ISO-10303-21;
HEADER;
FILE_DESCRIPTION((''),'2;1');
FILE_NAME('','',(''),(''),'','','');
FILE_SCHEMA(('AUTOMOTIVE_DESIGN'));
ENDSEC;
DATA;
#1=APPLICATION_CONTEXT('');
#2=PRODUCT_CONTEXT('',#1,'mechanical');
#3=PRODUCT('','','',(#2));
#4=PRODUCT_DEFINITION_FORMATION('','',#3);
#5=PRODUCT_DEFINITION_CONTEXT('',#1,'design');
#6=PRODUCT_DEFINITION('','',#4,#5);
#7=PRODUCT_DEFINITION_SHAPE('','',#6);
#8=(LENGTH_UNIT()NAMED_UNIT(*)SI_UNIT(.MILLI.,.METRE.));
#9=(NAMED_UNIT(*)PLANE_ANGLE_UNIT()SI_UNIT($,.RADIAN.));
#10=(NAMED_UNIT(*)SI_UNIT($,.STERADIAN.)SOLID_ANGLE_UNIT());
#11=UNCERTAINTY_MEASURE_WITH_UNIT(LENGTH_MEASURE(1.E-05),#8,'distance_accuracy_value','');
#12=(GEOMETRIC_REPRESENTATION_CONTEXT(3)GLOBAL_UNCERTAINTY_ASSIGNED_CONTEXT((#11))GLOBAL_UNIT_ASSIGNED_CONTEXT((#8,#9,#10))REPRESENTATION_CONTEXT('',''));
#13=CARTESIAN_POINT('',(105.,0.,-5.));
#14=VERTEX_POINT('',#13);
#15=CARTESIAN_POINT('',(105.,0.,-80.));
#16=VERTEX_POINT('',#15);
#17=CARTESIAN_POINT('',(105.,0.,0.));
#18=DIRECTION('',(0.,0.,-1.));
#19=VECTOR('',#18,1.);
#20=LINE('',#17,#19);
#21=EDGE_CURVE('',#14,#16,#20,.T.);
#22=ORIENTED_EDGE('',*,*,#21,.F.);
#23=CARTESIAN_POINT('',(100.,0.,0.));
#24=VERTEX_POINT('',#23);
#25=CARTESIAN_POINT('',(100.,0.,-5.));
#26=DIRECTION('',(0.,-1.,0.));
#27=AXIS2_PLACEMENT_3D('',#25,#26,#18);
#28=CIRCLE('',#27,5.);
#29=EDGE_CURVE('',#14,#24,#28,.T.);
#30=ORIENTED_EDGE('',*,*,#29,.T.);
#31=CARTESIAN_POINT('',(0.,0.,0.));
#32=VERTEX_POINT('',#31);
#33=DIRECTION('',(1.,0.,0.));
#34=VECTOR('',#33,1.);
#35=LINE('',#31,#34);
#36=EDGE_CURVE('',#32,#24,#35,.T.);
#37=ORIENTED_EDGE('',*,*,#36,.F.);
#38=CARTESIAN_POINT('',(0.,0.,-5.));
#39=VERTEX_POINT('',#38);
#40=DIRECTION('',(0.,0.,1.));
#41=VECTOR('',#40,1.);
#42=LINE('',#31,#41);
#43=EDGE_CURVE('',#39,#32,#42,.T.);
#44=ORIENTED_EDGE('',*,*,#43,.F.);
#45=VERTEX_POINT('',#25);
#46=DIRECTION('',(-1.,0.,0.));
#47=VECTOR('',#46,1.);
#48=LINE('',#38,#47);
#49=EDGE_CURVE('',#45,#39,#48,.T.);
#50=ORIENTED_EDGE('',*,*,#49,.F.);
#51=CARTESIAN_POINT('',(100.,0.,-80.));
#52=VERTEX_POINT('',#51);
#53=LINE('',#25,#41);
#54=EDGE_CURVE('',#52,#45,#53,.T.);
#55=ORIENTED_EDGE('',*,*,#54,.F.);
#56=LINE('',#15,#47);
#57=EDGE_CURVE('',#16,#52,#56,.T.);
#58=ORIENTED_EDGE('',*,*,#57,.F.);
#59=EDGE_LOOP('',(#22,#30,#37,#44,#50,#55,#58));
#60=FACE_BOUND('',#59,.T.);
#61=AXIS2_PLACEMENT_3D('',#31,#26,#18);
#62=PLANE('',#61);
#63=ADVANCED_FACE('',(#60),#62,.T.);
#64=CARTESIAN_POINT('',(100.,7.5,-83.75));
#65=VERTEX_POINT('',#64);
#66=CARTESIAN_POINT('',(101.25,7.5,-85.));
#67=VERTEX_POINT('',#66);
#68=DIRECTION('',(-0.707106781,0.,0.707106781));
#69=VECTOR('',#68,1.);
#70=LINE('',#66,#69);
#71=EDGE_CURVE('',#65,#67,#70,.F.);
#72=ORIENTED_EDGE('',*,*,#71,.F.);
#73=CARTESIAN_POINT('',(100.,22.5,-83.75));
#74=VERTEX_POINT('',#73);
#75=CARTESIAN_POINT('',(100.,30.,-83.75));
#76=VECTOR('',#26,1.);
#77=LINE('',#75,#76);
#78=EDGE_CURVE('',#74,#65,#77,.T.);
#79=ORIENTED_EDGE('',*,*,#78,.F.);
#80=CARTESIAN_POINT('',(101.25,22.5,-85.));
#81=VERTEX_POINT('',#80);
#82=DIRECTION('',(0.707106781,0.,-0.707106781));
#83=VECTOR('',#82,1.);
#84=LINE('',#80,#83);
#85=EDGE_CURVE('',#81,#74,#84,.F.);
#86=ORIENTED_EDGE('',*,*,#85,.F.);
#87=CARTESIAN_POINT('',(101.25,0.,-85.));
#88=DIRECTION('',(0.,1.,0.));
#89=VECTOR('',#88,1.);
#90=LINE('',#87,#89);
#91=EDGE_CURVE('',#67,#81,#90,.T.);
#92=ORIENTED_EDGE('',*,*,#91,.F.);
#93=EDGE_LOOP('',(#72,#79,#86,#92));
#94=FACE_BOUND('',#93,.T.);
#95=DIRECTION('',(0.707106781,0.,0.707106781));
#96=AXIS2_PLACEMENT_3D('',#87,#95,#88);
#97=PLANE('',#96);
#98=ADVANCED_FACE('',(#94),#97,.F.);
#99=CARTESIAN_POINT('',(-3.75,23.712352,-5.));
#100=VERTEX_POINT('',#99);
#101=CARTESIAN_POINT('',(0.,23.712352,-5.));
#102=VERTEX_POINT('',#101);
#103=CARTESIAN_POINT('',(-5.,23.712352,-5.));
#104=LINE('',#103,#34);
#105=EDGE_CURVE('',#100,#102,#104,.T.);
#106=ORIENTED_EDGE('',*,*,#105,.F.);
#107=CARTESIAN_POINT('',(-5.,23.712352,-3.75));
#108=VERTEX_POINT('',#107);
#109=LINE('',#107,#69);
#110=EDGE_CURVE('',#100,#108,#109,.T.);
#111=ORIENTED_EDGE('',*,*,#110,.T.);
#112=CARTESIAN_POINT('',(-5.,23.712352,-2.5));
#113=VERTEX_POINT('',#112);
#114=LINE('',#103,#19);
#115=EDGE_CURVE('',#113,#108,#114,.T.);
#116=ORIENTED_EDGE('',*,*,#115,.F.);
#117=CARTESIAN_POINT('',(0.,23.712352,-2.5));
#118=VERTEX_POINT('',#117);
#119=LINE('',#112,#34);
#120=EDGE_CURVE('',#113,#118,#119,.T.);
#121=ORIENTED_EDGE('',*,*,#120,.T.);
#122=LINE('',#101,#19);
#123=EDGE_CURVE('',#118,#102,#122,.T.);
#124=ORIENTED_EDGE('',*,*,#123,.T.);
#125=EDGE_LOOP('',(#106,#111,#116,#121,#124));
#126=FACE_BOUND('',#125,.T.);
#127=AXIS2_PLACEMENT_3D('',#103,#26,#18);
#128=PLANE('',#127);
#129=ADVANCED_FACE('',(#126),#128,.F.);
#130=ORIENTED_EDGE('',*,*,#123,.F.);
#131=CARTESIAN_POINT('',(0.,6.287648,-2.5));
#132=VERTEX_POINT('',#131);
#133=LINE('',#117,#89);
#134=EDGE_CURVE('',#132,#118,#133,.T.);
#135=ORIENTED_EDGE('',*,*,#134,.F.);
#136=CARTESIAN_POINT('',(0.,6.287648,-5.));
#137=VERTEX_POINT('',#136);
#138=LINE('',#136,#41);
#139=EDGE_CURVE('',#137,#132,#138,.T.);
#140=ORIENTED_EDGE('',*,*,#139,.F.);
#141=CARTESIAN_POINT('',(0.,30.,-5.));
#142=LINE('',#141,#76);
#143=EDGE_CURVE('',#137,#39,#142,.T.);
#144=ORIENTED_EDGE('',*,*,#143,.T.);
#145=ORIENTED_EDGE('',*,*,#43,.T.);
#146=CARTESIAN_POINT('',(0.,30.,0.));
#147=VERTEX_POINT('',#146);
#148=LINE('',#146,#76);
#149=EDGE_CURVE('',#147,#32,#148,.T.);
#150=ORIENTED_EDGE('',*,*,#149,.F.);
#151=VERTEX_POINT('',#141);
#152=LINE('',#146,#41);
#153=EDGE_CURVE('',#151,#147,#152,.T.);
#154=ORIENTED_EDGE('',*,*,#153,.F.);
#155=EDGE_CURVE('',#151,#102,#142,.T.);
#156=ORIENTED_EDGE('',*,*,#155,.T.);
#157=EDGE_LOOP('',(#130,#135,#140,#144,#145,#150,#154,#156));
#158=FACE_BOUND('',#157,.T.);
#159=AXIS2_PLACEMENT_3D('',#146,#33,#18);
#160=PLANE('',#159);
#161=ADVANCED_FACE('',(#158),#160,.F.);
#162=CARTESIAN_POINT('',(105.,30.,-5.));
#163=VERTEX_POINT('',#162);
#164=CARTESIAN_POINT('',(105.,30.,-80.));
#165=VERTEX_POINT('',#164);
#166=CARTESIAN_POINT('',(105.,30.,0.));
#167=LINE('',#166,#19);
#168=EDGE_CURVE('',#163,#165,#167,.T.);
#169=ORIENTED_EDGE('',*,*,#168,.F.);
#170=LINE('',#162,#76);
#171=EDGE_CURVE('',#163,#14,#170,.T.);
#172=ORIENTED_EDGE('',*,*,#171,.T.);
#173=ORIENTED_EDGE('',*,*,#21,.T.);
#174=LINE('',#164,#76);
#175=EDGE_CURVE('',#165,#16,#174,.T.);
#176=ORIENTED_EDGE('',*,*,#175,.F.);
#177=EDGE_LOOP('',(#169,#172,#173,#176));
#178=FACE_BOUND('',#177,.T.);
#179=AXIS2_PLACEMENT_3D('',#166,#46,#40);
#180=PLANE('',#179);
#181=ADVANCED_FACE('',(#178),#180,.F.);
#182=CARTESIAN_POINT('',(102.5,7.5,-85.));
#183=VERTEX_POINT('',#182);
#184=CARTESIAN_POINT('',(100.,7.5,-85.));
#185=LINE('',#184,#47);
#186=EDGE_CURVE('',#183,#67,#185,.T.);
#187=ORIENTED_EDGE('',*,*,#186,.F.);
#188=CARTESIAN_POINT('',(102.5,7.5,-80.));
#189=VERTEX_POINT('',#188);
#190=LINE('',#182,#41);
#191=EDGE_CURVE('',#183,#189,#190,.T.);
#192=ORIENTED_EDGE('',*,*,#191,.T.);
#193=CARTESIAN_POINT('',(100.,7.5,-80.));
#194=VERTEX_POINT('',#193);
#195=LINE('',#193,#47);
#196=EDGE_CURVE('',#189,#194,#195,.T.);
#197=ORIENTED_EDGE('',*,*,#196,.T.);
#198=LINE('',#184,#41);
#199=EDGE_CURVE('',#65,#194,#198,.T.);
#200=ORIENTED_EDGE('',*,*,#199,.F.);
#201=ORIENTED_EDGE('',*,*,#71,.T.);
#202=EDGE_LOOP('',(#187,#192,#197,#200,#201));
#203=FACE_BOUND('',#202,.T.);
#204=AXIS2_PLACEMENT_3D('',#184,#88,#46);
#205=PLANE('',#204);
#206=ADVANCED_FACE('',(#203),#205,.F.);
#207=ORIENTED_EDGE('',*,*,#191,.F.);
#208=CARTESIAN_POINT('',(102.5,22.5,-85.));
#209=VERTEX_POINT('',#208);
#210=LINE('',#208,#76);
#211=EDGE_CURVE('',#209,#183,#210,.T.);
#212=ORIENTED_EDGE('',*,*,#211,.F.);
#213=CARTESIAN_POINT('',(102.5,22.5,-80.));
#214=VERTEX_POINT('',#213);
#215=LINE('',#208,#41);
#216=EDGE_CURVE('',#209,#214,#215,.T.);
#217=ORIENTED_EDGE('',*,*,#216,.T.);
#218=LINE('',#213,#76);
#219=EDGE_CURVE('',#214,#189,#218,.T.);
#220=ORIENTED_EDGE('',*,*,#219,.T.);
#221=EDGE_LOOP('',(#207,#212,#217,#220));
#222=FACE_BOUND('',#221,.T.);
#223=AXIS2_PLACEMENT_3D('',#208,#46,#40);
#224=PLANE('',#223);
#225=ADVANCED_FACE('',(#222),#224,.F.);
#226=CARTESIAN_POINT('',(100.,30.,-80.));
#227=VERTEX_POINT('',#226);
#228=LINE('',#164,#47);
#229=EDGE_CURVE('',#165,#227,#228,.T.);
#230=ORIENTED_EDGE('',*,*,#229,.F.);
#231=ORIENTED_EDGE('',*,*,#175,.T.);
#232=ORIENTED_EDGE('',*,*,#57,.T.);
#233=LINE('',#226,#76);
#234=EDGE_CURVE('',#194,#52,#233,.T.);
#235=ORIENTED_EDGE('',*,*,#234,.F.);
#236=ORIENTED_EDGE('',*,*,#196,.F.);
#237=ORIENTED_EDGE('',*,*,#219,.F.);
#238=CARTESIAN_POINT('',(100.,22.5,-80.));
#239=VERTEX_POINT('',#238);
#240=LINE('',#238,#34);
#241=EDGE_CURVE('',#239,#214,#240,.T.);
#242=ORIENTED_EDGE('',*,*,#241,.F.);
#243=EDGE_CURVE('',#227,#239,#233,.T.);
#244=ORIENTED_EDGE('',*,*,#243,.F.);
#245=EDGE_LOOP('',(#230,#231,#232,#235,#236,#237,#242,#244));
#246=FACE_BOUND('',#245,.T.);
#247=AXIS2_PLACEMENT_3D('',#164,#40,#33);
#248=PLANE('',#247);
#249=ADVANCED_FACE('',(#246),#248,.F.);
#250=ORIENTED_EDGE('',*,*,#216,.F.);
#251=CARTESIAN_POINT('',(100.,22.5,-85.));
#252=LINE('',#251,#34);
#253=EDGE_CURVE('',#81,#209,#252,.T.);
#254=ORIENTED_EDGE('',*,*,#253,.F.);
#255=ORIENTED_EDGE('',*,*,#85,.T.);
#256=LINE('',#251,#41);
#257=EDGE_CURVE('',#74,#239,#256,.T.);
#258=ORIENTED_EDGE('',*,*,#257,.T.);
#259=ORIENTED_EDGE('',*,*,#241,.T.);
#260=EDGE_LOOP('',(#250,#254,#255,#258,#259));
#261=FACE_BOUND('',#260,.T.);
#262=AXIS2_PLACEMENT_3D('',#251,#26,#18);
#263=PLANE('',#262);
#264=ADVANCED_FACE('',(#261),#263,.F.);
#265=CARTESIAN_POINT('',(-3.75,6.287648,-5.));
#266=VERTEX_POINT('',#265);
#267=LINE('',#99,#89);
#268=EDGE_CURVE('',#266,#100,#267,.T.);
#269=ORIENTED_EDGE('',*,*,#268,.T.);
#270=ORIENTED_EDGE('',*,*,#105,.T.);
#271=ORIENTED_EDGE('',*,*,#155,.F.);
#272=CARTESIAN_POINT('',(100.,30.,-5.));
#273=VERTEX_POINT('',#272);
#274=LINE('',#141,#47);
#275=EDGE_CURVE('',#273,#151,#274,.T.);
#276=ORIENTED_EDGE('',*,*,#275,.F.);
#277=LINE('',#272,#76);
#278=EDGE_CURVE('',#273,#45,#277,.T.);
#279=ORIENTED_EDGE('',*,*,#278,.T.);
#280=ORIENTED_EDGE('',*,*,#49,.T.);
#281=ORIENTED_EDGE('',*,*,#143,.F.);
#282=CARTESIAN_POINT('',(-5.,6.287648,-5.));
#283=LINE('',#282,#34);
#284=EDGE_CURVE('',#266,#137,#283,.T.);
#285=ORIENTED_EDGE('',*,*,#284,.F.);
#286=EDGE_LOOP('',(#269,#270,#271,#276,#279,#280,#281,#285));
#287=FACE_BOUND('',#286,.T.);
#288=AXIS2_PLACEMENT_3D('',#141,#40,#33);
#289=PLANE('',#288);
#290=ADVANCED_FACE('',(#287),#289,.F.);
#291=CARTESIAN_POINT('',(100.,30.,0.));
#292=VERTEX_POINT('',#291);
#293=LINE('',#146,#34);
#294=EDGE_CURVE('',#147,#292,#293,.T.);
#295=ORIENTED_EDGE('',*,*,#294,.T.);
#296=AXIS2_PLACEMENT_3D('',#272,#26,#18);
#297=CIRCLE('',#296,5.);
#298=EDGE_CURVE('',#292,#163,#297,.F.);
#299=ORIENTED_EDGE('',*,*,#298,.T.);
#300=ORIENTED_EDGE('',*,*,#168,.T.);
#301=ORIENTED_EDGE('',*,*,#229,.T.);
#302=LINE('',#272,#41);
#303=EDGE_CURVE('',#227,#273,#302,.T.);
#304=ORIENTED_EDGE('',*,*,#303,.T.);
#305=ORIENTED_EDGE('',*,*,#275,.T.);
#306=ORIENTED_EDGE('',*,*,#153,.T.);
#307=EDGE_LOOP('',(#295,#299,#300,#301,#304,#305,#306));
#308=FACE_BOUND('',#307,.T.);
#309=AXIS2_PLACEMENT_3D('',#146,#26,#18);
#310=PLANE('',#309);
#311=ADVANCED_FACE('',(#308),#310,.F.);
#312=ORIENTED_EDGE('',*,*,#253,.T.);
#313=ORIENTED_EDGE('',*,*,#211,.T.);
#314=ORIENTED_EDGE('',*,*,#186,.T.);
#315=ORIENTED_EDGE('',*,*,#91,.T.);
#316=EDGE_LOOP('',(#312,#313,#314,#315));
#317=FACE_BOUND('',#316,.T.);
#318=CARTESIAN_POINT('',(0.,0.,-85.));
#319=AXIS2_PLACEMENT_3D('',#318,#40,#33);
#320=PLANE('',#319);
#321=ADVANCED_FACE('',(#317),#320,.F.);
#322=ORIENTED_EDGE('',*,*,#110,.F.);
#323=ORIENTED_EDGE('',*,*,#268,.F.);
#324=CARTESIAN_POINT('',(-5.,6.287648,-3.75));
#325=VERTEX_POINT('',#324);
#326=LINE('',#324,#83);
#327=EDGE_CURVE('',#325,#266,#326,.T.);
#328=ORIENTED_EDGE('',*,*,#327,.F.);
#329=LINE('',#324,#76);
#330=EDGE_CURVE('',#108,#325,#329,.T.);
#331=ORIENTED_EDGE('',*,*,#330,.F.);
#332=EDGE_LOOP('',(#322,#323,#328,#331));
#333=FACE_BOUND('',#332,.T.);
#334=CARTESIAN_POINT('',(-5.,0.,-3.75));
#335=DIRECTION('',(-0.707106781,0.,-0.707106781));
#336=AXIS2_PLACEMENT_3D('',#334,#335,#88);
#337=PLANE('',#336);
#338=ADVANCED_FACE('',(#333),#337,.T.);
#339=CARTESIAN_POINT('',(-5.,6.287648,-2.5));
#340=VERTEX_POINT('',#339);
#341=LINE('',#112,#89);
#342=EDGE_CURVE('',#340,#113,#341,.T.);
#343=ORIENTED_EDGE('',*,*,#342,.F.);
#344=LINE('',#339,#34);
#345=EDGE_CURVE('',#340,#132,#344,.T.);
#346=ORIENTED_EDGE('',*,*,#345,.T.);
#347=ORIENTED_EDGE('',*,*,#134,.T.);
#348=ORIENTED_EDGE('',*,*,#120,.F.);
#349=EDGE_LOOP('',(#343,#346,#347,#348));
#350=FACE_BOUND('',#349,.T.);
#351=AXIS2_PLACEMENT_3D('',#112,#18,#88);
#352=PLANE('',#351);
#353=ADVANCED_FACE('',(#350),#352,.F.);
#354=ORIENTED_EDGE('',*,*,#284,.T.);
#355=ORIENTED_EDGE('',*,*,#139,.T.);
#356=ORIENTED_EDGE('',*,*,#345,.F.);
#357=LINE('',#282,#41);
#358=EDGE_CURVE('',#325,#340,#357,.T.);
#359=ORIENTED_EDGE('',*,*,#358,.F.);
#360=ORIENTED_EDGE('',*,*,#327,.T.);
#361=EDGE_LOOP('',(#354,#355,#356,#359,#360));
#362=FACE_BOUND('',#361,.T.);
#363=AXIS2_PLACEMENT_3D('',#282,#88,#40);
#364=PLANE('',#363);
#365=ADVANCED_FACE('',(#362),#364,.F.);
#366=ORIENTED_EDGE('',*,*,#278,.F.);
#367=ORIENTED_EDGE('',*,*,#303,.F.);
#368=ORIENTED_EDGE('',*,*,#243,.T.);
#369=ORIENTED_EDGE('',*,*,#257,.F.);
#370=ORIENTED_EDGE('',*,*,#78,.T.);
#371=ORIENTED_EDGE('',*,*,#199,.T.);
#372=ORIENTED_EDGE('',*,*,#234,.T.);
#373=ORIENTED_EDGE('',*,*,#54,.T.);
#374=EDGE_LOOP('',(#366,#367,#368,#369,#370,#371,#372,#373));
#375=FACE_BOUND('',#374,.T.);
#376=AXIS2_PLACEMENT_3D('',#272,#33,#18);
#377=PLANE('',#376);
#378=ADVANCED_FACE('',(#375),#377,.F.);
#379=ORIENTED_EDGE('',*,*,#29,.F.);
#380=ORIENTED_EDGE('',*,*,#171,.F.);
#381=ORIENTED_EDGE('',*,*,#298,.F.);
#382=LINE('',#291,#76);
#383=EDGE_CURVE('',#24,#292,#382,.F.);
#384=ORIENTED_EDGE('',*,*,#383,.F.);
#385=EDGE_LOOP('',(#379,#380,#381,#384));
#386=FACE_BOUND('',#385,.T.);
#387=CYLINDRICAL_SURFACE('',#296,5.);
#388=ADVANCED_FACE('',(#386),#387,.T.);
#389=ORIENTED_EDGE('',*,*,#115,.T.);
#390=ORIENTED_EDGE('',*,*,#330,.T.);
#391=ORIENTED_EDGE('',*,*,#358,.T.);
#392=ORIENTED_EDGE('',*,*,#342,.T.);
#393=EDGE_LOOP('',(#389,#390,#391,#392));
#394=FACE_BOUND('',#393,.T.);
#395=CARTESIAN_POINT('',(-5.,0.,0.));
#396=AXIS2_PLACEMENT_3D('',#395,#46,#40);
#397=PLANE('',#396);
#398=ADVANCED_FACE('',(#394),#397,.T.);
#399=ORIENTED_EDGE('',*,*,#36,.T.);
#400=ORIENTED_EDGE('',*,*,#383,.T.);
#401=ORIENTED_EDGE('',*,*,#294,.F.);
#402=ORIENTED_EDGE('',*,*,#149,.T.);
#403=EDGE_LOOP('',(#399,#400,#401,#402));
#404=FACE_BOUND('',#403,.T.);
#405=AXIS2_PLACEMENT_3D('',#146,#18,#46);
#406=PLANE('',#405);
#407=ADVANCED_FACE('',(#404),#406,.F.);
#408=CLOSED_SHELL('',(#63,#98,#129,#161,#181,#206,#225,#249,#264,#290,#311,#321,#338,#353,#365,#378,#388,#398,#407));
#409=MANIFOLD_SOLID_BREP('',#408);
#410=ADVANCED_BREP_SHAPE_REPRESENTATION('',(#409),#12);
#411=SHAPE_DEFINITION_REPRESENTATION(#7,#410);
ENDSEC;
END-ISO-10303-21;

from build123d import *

# Parameters (mm, degrees)
BOSS_EXTRUDE1_DEPTH = 30
SKETCH2_W           = 2.5
SKETCH2_H           = 17.424704808
BOSS_EXTRUDE2_DEPTH = 5
CHAMFER1_SIZE       = 1.25
SKETCH3_W           = 2.5
SKETCH3_H           = 15
BOSS_EXTRUDE3_DEPTH = 5
CHAMFER2_SIZE       = 1.25
FILLET1_R           = 5


with BuildPart() as part:
    # Sketch1 → Boss-Extrude1 (new body)
    with BuildSketch(Plane(origin=(0, 0, 0), x_dir=(1, 0, 0), z_dir=(0, 1, 0))):
        Polygon((0, 0), (105, 0), (105, 80), (100, 80), (100, 5), (0, 5), align=None)
    extrude(amount=BOSS_EXTRUDE1_DEPTH)

    # Sketch2 → Boss-Extrude2 (add)
    with BuildSketch(Plane.ZY):
        with Locations((-3.75, 15)):
            Rectangle(SKETCH2_W, SKETCH2_H)
    extrude(amount=BOSS_EXTRUDE2_DEPTH)

    # Chamfer1
    chamfer1_edges = [part.edges().sort_by_distance(p)[0] for p in [
        (-5, 15, -5),
    ]]
    chamfer(chamfer1_edges, length=CHAMFER1_SIZE)

    # Sketch3 → Boss-Extrude3 (add)
    with BuildSketch(Plane(origin=(0, 0, -80), x_dir=(-1, 0, 0), z_dir=(0, 0, -1))):
        with Locations((-101.25, 15)):
            Rectangle(SKETCH3_W, SKETCH3_H)
    extrude(amount=BOSS_EXTRUDE3_DEPTH)

    # Chamfer2
    chamfer2_edges = [part.edges().sort_by_distance(p)[0] for p in [
        (100, 15, -85),
    ]]
    chamfer(chamfer2_edges, length=CHAMFER2_SIZE)

    # Fillet1
    fillet1_edges = [part.edges().sort_by_distance(p)[0] for p in [
        (105, 15, 0),
    ]]
    fillet(fillet1_edges, radius=FILLET1_R)


solid = part.part
